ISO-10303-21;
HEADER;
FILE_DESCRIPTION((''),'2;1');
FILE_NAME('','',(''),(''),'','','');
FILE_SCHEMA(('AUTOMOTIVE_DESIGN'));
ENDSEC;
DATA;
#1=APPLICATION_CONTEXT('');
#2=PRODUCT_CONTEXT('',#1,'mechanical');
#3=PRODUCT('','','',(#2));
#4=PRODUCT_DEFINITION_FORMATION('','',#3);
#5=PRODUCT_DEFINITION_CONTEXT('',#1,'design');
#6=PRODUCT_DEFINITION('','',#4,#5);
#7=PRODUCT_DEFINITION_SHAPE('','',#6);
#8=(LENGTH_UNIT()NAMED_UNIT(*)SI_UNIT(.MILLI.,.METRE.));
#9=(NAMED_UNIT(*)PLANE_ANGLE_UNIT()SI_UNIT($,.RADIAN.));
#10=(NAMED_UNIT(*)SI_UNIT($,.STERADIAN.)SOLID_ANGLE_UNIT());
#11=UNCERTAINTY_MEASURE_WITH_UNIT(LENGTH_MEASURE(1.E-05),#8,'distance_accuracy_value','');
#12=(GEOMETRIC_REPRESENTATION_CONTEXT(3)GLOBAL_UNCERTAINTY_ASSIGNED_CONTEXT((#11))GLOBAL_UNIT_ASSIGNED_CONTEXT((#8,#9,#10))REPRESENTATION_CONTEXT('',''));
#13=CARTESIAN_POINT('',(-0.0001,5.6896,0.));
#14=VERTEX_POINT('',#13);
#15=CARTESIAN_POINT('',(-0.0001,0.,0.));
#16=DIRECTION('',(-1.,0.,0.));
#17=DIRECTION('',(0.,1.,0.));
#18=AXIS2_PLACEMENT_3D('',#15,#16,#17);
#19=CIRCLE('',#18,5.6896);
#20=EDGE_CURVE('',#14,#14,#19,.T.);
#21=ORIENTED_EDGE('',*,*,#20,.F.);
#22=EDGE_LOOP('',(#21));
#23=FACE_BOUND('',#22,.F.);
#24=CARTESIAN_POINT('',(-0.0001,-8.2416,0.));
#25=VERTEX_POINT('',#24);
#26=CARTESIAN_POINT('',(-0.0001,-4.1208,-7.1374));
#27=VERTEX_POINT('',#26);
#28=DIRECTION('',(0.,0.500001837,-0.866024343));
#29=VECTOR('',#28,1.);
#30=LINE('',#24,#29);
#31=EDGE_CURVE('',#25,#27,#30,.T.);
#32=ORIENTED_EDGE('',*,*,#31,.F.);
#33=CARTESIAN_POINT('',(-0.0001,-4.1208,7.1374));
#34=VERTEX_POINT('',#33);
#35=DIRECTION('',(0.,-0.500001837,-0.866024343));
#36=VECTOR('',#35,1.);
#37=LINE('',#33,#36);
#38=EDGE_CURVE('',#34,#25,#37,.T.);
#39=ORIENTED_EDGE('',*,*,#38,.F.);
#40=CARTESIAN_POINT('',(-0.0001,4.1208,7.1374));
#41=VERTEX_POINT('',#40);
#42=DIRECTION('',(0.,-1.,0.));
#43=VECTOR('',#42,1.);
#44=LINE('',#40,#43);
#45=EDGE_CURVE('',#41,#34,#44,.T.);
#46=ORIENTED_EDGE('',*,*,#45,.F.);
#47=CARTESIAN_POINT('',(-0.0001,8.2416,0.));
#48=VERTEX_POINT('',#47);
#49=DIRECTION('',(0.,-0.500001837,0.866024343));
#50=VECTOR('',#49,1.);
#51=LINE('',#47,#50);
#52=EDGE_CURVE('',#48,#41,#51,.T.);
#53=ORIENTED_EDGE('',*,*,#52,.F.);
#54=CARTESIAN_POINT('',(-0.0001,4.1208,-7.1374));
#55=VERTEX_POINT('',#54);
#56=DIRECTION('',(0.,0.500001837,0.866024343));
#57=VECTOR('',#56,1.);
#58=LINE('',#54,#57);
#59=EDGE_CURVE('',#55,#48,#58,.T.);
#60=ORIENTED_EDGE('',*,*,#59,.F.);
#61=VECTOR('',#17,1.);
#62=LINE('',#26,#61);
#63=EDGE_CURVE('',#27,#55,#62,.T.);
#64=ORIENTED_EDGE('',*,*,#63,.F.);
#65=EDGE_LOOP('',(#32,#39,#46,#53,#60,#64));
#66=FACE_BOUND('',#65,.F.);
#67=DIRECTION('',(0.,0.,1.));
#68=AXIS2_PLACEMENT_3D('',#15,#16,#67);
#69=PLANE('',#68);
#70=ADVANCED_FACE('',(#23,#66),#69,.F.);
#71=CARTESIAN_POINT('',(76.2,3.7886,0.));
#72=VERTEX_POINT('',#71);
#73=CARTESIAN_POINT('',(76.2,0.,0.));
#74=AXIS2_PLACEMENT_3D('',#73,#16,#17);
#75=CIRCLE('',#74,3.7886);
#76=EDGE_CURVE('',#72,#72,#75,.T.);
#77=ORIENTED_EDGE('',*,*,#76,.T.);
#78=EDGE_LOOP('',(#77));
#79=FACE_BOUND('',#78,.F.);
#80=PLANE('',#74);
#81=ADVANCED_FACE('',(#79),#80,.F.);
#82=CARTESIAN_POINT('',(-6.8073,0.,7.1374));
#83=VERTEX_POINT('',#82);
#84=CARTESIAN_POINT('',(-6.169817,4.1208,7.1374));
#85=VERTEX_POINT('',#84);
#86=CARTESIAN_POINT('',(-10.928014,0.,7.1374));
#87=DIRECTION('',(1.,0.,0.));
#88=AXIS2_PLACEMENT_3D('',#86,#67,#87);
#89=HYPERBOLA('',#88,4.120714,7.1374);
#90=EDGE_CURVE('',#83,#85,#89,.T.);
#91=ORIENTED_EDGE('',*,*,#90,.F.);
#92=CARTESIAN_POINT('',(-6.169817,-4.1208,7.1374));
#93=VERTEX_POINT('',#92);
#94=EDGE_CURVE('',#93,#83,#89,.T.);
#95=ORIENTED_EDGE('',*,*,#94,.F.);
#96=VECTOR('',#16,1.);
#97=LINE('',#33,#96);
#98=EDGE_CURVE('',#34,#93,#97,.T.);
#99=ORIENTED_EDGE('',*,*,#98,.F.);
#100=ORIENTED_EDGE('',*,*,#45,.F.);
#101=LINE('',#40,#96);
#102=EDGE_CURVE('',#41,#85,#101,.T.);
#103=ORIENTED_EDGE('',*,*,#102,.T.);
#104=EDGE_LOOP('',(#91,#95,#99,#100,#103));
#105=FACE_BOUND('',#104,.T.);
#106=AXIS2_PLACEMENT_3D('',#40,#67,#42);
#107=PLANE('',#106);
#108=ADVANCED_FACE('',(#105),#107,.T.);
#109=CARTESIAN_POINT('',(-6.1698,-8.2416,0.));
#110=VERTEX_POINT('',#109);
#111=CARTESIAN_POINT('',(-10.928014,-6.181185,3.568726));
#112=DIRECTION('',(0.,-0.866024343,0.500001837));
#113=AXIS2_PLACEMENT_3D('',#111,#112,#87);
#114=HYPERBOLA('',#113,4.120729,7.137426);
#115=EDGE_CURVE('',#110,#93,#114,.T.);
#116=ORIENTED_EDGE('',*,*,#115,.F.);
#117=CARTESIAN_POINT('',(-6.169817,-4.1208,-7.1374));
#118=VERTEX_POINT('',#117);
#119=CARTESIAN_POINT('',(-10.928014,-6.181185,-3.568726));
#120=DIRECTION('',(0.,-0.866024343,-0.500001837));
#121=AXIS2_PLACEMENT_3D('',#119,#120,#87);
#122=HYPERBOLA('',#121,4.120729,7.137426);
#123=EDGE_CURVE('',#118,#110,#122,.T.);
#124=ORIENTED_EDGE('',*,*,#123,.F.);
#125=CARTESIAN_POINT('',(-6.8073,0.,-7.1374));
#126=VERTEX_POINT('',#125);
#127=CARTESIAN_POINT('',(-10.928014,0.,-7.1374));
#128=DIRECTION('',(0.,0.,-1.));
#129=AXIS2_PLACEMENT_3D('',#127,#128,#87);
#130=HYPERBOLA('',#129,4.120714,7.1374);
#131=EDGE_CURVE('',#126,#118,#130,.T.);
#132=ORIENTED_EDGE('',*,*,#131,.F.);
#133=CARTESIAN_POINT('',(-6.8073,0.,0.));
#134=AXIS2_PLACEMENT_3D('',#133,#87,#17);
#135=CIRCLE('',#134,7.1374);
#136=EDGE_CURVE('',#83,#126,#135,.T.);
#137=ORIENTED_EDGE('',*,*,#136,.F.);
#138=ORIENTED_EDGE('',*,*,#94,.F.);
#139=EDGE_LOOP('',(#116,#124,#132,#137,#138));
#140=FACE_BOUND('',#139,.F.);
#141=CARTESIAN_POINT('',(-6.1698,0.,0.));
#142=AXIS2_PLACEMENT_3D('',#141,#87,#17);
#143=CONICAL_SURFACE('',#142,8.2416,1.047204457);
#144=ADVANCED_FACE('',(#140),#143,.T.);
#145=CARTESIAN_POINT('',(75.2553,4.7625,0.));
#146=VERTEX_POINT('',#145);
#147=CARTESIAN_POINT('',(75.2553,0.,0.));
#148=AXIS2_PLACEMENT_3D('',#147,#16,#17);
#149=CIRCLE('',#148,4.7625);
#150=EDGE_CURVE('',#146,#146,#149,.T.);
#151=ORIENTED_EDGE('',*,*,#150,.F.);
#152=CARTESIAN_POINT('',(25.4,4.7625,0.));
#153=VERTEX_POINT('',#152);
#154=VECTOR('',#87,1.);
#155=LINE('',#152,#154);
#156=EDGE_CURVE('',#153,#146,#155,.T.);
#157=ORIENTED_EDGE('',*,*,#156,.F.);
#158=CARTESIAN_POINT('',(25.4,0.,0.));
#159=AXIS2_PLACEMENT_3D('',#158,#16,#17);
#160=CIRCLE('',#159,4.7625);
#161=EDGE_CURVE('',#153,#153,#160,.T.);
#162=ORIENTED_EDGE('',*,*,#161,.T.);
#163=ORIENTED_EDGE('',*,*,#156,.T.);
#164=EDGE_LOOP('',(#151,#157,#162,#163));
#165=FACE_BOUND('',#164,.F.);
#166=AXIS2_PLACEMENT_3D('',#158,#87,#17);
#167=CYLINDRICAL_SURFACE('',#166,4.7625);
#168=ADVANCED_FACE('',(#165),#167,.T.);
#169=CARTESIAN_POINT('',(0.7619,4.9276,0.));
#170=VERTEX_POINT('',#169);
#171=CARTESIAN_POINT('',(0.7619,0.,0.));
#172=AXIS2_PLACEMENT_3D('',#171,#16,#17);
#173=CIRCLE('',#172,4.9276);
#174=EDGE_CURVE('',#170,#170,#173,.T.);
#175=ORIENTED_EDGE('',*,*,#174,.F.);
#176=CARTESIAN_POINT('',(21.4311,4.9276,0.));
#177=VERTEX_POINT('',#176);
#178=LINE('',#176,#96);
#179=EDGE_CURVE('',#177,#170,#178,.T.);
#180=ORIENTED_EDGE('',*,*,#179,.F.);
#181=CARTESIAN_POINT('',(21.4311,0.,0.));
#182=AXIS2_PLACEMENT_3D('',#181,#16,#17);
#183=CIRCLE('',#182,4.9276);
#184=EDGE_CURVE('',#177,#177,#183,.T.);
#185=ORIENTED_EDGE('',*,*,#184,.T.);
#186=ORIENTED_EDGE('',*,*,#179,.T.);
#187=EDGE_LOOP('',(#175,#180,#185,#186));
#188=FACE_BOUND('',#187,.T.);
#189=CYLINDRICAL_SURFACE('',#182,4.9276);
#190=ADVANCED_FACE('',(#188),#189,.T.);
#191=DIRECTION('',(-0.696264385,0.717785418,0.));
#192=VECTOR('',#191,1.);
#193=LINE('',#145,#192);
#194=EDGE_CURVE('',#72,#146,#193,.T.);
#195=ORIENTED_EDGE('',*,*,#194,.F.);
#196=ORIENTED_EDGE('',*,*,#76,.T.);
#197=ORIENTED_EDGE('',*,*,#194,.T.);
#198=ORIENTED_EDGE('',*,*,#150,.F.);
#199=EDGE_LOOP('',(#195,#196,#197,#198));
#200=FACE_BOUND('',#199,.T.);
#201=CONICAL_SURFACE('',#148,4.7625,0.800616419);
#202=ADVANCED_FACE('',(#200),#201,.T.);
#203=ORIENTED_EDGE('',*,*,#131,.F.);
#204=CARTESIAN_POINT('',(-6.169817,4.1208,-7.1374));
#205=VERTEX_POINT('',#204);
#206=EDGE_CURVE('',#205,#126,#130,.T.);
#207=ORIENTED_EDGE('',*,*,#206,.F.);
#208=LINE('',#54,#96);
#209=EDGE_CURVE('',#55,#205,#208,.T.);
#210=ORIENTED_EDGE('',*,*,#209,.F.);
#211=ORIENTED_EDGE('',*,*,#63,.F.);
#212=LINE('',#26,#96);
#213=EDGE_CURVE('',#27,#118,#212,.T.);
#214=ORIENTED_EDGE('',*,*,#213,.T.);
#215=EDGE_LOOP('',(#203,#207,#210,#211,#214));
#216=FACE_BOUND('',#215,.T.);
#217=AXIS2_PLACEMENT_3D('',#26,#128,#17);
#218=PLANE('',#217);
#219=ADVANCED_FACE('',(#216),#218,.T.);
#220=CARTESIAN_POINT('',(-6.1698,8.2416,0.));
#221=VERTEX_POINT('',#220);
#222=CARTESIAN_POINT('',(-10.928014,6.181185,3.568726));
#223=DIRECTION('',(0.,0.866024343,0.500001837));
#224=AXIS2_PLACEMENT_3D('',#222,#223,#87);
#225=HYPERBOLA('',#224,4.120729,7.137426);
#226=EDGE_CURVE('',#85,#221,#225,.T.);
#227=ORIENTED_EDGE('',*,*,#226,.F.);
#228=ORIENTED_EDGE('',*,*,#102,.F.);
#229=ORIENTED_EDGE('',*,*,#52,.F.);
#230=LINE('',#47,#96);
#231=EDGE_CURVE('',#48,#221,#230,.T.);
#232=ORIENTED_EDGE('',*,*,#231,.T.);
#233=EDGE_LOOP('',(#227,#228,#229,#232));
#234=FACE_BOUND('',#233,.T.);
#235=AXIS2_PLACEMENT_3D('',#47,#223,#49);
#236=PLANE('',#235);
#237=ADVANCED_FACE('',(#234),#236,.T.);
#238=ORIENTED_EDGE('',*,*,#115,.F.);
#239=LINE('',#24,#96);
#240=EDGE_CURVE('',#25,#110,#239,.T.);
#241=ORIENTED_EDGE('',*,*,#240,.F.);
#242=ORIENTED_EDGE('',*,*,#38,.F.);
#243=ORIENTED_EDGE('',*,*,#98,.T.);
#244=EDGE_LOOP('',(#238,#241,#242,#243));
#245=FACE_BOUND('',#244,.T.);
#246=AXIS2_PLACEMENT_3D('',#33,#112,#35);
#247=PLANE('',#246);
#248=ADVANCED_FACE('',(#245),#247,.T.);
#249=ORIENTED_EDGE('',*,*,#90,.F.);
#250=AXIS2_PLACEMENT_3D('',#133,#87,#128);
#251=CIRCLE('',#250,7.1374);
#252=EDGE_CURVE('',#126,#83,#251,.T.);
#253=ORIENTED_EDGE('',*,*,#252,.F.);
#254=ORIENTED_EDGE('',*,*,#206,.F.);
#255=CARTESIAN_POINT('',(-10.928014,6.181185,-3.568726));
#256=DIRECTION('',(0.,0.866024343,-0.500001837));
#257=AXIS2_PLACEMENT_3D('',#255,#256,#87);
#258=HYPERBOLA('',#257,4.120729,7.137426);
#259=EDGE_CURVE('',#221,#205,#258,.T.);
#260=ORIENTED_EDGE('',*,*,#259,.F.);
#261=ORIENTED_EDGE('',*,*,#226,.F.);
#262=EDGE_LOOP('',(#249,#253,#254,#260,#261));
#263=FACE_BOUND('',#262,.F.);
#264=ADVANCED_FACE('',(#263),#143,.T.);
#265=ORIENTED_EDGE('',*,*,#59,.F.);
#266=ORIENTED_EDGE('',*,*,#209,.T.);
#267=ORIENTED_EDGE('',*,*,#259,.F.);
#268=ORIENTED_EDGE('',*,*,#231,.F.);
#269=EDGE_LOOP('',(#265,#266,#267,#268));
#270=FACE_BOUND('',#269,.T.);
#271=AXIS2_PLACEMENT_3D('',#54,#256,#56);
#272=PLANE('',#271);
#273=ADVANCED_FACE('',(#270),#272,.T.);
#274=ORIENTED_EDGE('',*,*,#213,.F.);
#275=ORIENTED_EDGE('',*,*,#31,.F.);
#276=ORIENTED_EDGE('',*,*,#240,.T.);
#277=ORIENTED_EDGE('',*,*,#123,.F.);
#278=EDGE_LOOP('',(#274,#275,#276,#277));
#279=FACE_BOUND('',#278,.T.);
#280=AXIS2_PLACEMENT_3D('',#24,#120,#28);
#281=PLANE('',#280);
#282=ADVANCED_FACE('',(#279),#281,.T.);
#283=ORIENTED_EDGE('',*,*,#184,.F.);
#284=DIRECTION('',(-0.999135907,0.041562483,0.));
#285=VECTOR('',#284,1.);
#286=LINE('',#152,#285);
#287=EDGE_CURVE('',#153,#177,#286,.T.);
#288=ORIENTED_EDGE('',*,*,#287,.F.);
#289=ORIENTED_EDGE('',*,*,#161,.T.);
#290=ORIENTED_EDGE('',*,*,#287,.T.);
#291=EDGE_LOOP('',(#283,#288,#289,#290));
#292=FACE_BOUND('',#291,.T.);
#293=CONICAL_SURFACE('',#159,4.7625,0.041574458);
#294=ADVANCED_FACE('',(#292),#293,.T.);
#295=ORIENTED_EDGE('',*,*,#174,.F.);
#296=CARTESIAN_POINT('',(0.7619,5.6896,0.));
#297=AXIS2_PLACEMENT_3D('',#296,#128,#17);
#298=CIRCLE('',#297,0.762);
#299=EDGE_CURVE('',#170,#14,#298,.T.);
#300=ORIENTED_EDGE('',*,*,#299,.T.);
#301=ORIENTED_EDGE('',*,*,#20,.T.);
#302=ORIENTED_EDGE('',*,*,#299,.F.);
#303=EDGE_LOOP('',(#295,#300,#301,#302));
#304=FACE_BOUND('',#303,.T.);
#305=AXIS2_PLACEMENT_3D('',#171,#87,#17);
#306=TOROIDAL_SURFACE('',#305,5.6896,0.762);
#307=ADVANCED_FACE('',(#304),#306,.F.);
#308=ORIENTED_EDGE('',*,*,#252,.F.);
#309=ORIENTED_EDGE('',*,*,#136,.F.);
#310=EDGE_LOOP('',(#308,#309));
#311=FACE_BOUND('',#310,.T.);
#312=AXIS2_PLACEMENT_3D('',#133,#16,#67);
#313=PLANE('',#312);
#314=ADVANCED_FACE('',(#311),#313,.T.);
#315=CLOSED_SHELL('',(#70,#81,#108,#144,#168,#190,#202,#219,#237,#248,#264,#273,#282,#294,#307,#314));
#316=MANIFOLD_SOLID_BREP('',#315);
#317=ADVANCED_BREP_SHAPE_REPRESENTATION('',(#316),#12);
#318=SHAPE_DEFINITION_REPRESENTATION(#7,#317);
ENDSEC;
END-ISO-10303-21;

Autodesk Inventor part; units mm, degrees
ref_plane "YZ Plane" through (0, 0, 0) normal (1, 0, 0) x (0, 1, 0)
ref_plane "XZ Plane" through (0, 0, 0) normal (0, 1, 0) x (-1, 0, 0)
sketch "Sketch1" plane through (0, 0, 0) normal (0, 0, 1) x (1, 0, 0)
  line L0 (0, 7.1374) -> (0, 4.9276)
  line L1 (25.4, 4.7625) -> (76.2, 4.7625)
  line L2 (76.2, 4.7625) -> (76.2, 0)
  line L3 (76.2, 0) -> (-0.0001, 0)
  line L4 (-15.2401, 0) -> (91.44, 0) projected
  line L5 (-0.0001, 0) -> (-0.0001, 7.1374)
  line L6 (-0.0001, 7.1374) -> (0, 7.1374)
  line L7 (25.4, 4.7625) -> (21.4311, 4.9276)
  line L8 (21.4311, 4.9276) -> (0, 4.9276)
  line L9 (0, -1.4275) -> (0, 8.5649) projected
  dimension "d0" = 76.2
  dimension "d1" = 50.8
revolve "Body" add sketch "Sketch1" angle 360 about axis through (76.2, 0, 0) along (-1, 0, 0)
sketch "Sketch2" plane through (-0.0001, 0, 0) normal (-1, 0, 0) x (0, 0, 1)
  line L0 (0, 8.2416) -> (7.1374, 4.1208)
  line L1 (7.1374, 4.1208) -> (7.1374, -4.1208)
  line L2 (7.1374, -4.1208) -> (0, -8.2416)
  line L3 (0, -8.2416) -> (-7.1374, -4.1208)
  line L4 (-7.1374, -4.1208) -> (-7.1374, 4.1208)
  line L5 (-7.1374, 4.1208) -> (0, 8.2416)
  point P0 (0, 0)
  point P1 (0, 0)
  dimension "d11" = 14.2748
extrude "Head" add sketch "Sketch2" along normal blind 6.8072
sketch "Sketch4" plane through (0, 0, 0) normal (0, 0, 1) x (1, 0, 0)
  line L0 (-6.8073, 7.1374) -> (-6.8073, 8.2416)
  line L1 (-6.8073, 8.2416) -> (-6.1698, 8.2416)
  line L2 (-6.1698, 8.2416) -> (-6.8073, 7.1374)
  line L3 (-8.1687, 0) -> (1.3613, 0) projected
  line L4 (-0.0001, 8.2416) -> (-6.8073, 8.2416) projected
  line L5 (-6.8073, 4.1208) -> (-6.8073, 8.2416) projected
  dimension "d5" = 30
  dimension "d19" = 14.2748
revolve "Chamfer1" cut sketch "Sketch4" angle 360 about axis through (-10, 0, 0) along (1, 0, 0)
thread "Thread" size "3/8-16 UNC" class "2A" standard "ANSI Unified Screw Threads" full length
chamfer "Chamfer2" distance 0.9739 distance2 0.9447 1 edges at (76.2, -4.7625, 0) measured on face at (76.2, 1.5414, -0.3799)
ref_plane "Work Plane1" through (1.525, 0, 0) normal (0, 0, 1) x (1, 0, 0)
fillet "Fillet2" radius 0.762 1 edges at (0, -4.9276, 0)
equation "\"d63\" = R"
equation "\"d11\" = SW"
equation "\"d3\" = KOH - SD"
equation "\"d15\" = GEL"
equation "\"d6\" = -0.5 * SPD + 0.5 * GD"
equation "\"d5\" = ANG1"
equation "\"d19\" = SW0"
equation "\"NLG\" = 190.5"
equation "\"GD\" = NND"
equation "\"BDM\" = 9.8552"
equation "\"KOH\" = 6.8072"
equation "\"GEL\" = 31.75"
equation "\"SW\" = 14.2748"
equation "\"SW0\" = SW"
equation "\"SPD\" = GD1"
equation "\"SD2\" = SW"
equation "\"SD\" = 0"
equation "\"ANG1\" = 30deg"
equation "\"GAL\" = 3.96875"
equation "\"GUL\" = 0.238 * GAL"
equation "\"R\" = 0.762"
equation "\"d62\" = -NLG - SD + GUL"
equation "\"GD1\" = 7.5773"
equation "\"THREADDIA\" = 9.525"
equation "\"TOA\" = 30deg"
equation "\"NND\" = 9.525"
equation "\"E0\" = 1.155 * SW"
properties part number "am-1055" material "Steel, Mild"
